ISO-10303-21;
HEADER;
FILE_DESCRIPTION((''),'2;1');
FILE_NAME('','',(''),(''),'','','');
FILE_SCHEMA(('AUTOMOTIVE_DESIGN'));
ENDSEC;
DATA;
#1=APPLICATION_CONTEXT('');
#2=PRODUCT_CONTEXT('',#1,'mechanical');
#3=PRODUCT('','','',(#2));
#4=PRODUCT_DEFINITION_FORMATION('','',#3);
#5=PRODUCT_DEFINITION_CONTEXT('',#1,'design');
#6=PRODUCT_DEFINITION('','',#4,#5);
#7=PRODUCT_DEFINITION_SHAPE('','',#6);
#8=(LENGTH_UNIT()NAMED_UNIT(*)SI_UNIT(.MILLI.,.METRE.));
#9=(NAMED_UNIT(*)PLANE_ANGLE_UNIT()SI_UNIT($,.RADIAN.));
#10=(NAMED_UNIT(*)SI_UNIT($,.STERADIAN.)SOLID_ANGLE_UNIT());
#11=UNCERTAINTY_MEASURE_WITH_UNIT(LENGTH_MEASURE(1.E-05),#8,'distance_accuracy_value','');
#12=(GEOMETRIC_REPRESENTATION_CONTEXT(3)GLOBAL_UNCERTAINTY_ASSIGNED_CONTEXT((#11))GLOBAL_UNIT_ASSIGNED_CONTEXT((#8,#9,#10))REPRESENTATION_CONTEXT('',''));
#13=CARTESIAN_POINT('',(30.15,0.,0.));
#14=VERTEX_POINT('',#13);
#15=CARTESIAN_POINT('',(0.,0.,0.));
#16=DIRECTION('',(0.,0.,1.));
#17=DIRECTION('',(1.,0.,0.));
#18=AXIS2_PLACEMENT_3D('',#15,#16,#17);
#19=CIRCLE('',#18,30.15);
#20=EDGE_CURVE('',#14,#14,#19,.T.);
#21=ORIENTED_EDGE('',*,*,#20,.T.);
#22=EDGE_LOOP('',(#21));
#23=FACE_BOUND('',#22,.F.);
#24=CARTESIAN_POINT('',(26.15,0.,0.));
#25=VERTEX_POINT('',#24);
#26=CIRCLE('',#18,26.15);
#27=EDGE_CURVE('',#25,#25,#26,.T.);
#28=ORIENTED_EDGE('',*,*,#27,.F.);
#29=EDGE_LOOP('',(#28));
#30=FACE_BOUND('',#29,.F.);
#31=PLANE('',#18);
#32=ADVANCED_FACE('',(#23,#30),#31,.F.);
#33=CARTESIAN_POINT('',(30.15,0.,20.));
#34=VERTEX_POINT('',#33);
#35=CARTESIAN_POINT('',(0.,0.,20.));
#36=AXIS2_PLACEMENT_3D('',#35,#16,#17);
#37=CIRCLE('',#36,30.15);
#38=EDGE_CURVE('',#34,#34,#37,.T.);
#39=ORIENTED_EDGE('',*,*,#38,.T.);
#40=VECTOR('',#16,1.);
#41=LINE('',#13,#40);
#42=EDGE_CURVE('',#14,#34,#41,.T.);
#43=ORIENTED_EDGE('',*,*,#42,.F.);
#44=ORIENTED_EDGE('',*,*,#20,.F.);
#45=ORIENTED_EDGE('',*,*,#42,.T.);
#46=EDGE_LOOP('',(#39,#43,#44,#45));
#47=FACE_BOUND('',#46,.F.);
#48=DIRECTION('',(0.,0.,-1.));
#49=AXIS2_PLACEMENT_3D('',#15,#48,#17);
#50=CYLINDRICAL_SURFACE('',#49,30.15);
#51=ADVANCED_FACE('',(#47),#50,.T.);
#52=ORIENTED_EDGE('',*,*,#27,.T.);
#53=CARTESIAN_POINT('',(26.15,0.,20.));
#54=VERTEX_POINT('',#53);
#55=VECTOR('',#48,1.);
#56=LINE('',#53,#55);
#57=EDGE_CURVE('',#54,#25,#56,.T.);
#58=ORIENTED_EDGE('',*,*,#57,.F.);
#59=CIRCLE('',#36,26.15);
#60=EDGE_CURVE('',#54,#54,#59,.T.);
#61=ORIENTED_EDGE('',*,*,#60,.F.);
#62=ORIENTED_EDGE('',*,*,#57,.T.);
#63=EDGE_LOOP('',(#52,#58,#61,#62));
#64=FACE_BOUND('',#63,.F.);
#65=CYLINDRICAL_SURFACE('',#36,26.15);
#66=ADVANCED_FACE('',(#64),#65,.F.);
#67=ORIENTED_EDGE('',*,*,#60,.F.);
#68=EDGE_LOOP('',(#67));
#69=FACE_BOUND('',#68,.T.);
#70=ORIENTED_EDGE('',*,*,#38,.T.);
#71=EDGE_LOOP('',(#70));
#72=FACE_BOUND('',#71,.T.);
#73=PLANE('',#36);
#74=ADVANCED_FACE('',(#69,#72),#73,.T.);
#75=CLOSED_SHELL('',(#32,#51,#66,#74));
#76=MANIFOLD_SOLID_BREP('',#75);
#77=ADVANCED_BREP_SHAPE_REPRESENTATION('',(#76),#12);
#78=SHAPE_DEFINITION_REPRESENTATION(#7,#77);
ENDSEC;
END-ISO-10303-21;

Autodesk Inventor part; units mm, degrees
ref_plane "YZ Plane" through (0, 0, 0) normal (1, 0, 0) x (0, 1, 0)
ref_plane "XZ Plane" through (0, 0, 0) normal (0, 1, 0) x (-1, 0, 0)
ref_plane "XY Plane" through (0, 0, 0) normal (0, 0, 1) x (1, 0, 0)
sketch "Sketch1" plane through (0, 0, 0) normal (0, 0, 1) x (1, 0, 0)
  circle A0 centre (0, 0) radius 30.15
  dimension "d0" = 60.3
extrude "Extrusion1" add sketch "Sketch1" along normal blind 20
sketch "Sketch2" plane through (0, 0, 20) normal (0, 0, 1) x (1, 0, 0)
  circle A0 centre (0, 0) radius 26.15
  dimension "d3" = 52.3
extrude "Extrusion2" cut sketch "Sketch2" against normal through all
properties part number "Płyta2"
